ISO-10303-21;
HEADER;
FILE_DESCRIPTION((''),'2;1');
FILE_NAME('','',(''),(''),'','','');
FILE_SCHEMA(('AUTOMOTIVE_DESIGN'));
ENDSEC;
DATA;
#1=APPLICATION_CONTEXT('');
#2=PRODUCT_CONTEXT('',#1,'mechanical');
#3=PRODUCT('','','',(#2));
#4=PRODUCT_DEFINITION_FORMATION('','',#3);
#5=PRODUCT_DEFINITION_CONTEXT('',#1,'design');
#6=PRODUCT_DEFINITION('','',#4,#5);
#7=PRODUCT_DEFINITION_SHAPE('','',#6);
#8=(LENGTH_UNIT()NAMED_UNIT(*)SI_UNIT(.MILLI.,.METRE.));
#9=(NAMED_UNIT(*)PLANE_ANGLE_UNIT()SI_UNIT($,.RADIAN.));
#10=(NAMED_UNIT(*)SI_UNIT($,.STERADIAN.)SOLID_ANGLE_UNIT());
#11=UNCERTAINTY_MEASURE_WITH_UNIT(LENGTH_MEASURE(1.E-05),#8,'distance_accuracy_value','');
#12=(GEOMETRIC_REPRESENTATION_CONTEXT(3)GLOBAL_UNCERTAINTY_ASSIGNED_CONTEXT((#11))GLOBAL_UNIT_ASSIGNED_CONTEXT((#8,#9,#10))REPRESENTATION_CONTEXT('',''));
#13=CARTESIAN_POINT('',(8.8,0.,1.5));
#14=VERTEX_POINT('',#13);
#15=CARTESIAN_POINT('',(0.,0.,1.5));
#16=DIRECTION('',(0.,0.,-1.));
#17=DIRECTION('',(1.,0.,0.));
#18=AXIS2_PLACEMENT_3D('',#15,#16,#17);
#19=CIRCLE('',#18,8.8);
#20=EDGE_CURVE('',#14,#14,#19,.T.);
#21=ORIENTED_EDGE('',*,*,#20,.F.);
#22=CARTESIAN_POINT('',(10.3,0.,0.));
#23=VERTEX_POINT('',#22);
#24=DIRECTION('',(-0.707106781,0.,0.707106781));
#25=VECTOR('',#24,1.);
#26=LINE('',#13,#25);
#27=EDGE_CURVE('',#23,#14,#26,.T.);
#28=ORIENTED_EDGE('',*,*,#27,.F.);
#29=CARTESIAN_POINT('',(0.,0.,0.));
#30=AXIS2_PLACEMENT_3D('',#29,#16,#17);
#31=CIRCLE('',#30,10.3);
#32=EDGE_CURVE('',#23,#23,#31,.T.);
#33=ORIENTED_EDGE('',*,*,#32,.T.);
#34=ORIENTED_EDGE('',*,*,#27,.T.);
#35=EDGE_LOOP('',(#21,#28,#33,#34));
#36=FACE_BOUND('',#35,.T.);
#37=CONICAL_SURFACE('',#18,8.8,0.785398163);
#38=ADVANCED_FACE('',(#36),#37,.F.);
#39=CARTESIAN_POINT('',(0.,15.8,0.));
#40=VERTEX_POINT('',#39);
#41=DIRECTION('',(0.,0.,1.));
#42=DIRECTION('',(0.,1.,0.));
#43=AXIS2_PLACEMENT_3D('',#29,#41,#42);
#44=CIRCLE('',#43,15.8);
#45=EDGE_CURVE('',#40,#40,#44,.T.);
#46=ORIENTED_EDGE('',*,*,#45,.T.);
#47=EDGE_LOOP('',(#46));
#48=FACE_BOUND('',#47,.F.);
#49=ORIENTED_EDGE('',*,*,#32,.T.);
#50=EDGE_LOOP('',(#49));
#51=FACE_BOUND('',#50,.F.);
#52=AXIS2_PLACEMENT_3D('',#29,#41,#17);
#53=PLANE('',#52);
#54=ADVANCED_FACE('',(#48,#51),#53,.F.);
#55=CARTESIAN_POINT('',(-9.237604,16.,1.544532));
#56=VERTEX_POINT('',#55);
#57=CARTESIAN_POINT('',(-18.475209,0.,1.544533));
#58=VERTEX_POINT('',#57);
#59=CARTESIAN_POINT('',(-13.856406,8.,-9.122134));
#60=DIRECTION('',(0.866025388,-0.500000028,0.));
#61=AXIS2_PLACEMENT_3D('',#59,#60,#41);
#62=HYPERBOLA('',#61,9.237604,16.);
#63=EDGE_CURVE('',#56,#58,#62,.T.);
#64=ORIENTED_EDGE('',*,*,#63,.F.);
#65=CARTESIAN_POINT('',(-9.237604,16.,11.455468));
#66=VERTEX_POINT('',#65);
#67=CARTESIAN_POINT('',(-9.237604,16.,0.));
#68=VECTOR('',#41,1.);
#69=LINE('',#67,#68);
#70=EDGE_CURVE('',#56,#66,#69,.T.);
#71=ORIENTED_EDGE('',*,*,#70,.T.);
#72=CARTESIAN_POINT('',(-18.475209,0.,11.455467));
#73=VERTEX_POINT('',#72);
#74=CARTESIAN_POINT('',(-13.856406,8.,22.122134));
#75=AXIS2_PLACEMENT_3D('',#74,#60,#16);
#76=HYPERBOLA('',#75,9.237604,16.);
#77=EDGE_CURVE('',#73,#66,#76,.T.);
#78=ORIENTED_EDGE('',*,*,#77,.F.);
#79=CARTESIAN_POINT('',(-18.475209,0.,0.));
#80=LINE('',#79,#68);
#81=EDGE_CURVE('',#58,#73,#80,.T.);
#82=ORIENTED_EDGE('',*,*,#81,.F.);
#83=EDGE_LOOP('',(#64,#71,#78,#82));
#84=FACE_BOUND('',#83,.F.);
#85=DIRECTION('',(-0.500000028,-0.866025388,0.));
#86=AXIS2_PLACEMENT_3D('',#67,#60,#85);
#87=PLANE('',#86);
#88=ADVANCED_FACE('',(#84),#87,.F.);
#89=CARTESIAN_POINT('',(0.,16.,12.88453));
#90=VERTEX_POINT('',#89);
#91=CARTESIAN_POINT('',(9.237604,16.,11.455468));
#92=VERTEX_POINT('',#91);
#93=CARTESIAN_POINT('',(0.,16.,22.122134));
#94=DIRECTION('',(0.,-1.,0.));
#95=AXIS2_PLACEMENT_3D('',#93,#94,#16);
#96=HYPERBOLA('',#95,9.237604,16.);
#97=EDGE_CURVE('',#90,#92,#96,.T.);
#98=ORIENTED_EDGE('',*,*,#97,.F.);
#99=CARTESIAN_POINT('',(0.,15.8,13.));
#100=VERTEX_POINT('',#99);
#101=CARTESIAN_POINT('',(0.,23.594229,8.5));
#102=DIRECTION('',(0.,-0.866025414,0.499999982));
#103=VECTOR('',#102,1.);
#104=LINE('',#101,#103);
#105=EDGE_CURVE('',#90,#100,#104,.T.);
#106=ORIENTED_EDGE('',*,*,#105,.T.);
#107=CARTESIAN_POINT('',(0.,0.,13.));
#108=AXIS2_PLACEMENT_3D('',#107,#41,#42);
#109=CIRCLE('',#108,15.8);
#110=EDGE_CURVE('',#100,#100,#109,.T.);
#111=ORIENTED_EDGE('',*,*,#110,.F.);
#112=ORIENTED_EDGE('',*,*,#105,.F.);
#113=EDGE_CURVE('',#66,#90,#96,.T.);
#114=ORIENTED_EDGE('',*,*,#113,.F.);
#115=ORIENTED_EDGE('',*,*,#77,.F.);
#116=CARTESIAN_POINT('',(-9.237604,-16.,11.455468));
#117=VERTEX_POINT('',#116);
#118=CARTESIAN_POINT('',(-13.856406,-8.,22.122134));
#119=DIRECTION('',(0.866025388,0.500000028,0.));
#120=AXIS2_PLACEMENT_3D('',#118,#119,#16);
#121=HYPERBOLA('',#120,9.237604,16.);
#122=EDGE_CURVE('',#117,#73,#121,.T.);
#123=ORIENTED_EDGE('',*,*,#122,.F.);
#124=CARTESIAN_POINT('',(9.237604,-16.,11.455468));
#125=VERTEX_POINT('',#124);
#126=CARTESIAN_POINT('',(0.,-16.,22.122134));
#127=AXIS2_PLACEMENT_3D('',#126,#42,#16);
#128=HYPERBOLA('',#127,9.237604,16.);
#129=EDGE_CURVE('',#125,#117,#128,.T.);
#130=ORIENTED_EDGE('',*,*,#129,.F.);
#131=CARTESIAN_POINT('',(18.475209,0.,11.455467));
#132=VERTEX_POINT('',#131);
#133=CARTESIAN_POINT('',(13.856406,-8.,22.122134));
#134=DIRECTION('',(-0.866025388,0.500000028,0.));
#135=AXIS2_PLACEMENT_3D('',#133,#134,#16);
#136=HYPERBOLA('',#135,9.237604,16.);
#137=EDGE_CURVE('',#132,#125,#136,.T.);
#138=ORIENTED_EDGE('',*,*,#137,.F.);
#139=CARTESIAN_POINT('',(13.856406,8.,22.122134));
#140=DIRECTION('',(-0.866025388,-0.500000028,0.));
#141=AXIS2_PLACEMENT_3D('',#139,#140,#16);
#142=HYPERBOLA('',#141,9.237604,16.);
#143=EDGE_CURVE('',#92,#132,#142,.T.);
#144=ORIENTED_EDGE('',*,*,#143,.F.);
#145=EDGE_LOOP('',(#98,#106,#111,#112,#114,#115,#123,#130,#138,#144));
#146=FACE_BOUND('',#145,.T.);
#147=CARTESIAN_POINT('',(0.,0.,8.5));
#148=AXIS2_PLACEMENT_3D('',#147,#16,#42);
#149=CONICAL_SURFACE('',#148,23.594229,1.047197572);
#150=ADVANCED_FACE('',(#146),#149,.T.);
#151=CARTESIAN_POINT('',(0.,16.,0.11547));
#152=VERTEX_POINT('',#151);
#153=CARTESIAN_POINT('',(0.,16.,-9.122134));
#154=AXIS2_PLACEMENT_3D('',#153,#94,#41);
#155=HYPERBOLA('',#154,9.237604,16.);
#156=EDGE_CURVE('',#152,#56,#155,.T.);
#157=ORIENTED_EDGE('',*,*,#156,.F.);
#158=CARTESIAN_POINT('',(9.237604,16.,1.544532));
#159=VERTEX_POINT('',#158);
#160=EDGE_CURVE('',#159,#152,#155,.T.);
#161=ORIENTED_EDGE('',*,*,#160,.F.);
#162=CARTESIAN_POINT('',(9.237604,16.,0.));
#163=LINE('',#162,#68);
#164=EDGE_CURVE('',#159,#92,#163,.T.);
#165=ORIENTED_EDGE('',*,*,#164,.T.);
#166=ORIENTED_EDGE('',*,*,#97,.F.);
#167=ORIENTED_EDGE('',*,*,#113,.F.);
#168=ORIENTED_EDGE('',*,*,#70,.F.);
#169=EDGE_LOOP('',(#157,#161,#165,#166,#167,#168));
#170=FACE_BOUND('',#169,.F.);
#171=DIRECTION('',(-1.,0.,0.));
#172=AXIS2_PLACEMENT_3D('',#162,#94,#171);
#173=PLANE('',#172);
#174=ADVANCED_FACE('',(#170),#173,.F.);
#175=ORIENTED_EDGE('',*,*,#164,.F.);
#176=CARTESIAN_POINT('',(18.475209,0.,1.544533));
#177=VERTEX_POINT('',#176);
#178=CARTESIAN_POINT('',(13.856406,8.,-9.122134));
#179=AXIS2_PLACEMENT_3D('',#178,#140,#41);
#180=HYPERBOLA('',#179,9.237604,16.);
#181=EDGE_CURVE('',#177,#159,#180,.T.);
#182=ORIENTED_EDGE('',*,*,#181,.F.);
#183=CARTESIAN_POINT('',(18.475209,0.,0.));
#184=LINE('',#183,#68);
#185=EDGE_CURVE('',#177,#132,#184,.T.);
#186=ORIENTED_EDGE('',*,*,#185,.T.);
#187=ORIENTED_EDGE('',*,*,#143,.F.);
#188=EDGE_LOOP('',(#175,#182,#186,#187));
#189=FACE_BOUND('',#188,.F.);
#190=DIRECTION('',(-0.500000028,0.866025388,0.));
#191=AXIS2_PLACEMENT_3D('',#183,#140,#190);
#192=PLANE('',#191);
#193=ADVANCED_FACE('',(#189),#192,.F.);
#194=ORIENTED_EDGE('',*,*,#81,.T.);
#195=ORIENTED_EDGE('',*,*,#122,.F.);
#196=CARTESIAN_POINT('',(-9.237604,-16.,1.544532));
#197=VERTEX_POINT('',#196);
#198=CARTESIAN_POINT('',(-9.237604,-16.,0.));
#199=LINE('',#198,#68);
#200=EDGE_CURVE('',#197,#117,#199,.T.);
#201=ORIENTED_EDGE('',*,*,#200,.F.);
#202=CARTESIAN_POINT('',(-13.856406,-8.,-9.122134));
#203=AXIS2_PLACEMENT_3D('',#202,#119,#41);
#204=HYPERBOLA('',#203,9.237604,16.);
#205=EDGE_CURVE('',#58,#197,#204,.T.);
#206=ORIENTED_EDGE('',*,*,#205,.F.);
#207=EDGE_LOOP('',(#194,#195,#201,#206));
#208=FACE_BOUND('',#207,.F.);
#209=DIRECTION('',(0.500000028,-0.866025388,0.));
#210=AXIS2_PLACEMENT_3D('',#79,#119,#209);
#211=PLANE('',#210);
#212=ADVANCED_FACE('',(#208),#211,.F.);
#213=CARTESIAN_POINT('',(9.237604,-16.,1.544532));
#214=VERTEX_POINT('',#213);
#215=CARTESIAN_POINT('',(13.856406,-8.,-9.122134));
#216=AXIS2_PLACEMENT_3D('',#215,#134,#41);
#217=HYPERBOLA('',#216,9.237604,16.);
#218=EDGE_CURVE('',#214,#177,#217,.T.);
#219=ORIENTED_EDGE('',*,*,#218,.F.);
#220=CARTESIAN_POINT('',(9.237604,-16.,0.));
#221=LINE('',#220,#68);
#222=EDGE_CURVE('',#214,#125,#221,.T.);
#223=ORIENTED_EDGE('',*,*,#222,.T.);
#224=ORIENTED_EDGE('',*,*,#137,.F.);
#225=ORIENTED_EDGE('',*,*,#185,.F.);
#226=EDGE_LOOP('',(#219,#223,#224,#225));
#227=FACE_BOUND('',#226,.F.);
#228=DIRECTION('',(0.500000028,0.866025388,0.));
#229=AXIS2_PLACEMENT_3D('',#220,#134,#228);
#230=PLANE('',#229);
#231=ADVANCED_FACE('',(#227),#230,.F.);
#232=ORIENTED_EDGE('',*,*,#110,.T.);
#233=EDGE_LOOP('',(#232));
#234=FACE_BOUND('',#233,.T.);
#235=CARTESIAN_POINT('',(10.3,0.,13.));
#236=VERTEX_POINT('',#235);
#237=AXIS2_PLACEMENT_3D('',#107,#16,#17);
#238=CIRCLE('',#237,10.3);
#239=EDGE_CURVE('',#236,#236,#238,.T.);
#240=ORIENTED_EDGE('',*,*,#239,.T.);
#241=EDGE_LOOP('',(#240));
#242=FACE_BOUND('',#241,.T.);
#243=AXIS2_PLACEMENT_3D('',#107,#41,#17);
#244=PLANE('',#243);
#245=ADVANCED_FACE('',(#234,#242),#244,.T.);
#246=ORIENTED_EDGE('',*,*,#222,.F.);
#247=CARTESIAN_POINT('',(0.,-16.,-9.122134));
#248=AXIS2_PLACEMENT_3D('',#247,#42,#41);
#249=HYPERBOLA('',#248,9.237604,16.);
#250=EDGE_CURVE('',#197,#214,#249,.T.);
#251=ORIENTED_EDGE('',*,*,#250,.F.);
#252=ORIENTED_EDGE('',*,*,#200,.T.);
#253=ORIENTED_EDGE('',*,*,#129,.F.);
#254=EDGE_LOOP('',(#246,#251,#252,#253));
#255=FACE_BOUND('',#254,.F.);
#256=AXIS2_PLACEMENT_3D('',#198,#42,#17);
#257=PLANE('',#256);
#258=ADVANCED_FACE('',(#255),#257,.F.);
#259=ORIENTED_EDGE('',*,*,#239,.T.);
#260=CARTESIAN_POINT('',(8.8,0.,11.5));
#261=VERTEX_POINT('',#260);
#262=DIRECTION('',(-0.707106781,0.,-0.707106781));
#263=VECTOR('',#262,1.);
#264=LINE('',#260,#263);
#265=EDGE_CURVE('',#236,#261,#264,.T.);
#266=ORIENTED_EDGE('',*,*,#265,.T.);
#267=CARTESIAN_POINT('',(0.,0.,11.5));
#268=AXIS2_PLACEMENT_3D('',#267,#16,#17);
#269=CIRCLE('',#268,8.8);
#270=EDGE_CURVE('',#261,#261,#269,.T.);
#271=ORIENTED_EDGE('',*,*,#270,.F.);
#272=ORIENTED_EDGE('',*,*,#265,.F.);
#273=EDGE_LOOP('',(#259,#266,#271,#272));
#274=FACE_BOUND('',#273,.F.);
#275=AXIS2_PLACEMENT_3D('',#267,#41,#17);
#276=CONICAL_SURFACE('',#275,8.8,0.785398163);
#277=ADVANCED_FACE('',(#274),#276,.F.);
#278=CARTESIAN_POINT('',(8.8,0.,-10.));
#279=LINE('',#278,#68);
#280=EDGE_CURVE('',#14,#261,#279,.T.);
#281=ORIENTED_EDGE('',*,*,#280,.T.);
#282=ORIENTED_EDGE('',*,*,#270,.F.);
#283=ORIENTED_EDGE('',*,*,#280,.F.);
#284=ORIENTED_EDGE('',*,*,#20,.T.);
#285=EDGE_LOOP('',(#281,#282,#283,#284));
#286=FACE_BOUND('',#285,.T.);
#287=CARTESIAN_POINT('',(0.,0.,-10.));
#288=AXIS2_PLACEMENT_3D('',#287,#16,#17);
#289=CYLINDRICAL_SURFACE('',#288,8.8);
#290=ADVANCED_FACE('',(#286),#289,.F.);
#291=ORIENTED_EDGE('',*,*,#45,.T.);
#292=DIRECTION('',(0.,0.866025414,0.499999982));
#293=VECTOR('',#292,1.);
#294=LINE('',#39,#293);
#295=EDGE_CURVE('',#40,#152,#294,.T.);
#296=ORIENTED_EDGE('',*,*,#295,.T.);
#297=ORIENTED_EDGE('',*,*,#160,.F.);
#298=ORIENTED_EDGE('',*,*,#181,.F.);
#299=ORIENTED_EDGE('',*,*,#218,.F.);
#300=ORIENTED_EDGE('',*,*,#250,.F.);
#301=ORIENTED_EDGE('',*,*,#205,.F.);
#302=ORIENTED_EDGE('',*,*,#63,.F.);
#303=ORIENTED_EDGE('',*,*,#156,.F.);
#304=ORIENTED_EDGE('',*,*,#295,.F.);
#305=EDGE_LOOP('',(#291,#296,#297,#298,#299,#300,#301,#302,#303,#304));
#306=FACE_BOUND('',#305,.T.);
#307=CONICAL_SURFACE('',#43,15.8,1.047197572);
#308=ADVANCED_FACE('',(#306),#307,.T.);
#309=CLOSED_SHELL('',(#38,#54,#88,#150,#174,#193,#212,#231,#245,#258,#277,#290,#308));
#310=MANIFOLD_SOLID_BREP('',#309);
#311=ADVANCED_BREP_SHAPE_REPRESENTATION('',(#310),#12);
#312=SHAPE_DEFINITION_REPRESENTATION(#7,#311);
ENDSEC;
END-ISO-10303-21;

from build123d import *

# Parameters (mm, degrees)
CYLINDER001_R     = 8.8
CYLINDER001_DEPTH = 30
PAD_DEPTH         = 13
CHAMFER001_SIZE   = 1.5


with BuildPart() as cilindro001:
    # Cylinder001 → Cylinder001 (new body)
    with BuildSketch(Plane.XY.offset(-10)):
        Circle(CYLINDER001_R)
    extrude(amount=CYLINDER001_DEPTH)


with BuildPart() as revolution:
    # Sketch001 → Revolution (revolve)
    with BuildSketch(Plane.YZ):
        Polygon((23.594229, 8.5), (15.8, 13), (25.8, 13), (25.8, 0), (15.8, 0), (23.594229, 4.5), align=None)
    revolve(axis=Axis((0, 0, 0), (0, 0, 1)))


with BuildPart() as chamfer001:
    # Sketch → Pad (new body)
    with BuildSketch(Plane.XY):
        Polygon((9.237604, 16), (-9.237604, 16), (-18.475209, 0), (-9.237604, -16), (9.237604, -16), (18.475209, 0), align=None)
    extrude(amount=PAD_DEPTH)

    # Cut: cut Revolution
    add(revolution.part, mode=Mode.SUBTRACT)

    # Cut002: cut Cilindro001
    add(cilindro001.part, mode=Mode.SUBTRACT)

    # Chamfer001
    chamfer001_edges = [chamfer001.edges().sort_by_distance(p)[0] for p in [
        (-8.8, 0, 13),
        (-8.8, 0, 0),
    ]]
    chamfer(chamfer001_edges, length=CHAMFER001_SIZE)


solid = chamfer001.part
